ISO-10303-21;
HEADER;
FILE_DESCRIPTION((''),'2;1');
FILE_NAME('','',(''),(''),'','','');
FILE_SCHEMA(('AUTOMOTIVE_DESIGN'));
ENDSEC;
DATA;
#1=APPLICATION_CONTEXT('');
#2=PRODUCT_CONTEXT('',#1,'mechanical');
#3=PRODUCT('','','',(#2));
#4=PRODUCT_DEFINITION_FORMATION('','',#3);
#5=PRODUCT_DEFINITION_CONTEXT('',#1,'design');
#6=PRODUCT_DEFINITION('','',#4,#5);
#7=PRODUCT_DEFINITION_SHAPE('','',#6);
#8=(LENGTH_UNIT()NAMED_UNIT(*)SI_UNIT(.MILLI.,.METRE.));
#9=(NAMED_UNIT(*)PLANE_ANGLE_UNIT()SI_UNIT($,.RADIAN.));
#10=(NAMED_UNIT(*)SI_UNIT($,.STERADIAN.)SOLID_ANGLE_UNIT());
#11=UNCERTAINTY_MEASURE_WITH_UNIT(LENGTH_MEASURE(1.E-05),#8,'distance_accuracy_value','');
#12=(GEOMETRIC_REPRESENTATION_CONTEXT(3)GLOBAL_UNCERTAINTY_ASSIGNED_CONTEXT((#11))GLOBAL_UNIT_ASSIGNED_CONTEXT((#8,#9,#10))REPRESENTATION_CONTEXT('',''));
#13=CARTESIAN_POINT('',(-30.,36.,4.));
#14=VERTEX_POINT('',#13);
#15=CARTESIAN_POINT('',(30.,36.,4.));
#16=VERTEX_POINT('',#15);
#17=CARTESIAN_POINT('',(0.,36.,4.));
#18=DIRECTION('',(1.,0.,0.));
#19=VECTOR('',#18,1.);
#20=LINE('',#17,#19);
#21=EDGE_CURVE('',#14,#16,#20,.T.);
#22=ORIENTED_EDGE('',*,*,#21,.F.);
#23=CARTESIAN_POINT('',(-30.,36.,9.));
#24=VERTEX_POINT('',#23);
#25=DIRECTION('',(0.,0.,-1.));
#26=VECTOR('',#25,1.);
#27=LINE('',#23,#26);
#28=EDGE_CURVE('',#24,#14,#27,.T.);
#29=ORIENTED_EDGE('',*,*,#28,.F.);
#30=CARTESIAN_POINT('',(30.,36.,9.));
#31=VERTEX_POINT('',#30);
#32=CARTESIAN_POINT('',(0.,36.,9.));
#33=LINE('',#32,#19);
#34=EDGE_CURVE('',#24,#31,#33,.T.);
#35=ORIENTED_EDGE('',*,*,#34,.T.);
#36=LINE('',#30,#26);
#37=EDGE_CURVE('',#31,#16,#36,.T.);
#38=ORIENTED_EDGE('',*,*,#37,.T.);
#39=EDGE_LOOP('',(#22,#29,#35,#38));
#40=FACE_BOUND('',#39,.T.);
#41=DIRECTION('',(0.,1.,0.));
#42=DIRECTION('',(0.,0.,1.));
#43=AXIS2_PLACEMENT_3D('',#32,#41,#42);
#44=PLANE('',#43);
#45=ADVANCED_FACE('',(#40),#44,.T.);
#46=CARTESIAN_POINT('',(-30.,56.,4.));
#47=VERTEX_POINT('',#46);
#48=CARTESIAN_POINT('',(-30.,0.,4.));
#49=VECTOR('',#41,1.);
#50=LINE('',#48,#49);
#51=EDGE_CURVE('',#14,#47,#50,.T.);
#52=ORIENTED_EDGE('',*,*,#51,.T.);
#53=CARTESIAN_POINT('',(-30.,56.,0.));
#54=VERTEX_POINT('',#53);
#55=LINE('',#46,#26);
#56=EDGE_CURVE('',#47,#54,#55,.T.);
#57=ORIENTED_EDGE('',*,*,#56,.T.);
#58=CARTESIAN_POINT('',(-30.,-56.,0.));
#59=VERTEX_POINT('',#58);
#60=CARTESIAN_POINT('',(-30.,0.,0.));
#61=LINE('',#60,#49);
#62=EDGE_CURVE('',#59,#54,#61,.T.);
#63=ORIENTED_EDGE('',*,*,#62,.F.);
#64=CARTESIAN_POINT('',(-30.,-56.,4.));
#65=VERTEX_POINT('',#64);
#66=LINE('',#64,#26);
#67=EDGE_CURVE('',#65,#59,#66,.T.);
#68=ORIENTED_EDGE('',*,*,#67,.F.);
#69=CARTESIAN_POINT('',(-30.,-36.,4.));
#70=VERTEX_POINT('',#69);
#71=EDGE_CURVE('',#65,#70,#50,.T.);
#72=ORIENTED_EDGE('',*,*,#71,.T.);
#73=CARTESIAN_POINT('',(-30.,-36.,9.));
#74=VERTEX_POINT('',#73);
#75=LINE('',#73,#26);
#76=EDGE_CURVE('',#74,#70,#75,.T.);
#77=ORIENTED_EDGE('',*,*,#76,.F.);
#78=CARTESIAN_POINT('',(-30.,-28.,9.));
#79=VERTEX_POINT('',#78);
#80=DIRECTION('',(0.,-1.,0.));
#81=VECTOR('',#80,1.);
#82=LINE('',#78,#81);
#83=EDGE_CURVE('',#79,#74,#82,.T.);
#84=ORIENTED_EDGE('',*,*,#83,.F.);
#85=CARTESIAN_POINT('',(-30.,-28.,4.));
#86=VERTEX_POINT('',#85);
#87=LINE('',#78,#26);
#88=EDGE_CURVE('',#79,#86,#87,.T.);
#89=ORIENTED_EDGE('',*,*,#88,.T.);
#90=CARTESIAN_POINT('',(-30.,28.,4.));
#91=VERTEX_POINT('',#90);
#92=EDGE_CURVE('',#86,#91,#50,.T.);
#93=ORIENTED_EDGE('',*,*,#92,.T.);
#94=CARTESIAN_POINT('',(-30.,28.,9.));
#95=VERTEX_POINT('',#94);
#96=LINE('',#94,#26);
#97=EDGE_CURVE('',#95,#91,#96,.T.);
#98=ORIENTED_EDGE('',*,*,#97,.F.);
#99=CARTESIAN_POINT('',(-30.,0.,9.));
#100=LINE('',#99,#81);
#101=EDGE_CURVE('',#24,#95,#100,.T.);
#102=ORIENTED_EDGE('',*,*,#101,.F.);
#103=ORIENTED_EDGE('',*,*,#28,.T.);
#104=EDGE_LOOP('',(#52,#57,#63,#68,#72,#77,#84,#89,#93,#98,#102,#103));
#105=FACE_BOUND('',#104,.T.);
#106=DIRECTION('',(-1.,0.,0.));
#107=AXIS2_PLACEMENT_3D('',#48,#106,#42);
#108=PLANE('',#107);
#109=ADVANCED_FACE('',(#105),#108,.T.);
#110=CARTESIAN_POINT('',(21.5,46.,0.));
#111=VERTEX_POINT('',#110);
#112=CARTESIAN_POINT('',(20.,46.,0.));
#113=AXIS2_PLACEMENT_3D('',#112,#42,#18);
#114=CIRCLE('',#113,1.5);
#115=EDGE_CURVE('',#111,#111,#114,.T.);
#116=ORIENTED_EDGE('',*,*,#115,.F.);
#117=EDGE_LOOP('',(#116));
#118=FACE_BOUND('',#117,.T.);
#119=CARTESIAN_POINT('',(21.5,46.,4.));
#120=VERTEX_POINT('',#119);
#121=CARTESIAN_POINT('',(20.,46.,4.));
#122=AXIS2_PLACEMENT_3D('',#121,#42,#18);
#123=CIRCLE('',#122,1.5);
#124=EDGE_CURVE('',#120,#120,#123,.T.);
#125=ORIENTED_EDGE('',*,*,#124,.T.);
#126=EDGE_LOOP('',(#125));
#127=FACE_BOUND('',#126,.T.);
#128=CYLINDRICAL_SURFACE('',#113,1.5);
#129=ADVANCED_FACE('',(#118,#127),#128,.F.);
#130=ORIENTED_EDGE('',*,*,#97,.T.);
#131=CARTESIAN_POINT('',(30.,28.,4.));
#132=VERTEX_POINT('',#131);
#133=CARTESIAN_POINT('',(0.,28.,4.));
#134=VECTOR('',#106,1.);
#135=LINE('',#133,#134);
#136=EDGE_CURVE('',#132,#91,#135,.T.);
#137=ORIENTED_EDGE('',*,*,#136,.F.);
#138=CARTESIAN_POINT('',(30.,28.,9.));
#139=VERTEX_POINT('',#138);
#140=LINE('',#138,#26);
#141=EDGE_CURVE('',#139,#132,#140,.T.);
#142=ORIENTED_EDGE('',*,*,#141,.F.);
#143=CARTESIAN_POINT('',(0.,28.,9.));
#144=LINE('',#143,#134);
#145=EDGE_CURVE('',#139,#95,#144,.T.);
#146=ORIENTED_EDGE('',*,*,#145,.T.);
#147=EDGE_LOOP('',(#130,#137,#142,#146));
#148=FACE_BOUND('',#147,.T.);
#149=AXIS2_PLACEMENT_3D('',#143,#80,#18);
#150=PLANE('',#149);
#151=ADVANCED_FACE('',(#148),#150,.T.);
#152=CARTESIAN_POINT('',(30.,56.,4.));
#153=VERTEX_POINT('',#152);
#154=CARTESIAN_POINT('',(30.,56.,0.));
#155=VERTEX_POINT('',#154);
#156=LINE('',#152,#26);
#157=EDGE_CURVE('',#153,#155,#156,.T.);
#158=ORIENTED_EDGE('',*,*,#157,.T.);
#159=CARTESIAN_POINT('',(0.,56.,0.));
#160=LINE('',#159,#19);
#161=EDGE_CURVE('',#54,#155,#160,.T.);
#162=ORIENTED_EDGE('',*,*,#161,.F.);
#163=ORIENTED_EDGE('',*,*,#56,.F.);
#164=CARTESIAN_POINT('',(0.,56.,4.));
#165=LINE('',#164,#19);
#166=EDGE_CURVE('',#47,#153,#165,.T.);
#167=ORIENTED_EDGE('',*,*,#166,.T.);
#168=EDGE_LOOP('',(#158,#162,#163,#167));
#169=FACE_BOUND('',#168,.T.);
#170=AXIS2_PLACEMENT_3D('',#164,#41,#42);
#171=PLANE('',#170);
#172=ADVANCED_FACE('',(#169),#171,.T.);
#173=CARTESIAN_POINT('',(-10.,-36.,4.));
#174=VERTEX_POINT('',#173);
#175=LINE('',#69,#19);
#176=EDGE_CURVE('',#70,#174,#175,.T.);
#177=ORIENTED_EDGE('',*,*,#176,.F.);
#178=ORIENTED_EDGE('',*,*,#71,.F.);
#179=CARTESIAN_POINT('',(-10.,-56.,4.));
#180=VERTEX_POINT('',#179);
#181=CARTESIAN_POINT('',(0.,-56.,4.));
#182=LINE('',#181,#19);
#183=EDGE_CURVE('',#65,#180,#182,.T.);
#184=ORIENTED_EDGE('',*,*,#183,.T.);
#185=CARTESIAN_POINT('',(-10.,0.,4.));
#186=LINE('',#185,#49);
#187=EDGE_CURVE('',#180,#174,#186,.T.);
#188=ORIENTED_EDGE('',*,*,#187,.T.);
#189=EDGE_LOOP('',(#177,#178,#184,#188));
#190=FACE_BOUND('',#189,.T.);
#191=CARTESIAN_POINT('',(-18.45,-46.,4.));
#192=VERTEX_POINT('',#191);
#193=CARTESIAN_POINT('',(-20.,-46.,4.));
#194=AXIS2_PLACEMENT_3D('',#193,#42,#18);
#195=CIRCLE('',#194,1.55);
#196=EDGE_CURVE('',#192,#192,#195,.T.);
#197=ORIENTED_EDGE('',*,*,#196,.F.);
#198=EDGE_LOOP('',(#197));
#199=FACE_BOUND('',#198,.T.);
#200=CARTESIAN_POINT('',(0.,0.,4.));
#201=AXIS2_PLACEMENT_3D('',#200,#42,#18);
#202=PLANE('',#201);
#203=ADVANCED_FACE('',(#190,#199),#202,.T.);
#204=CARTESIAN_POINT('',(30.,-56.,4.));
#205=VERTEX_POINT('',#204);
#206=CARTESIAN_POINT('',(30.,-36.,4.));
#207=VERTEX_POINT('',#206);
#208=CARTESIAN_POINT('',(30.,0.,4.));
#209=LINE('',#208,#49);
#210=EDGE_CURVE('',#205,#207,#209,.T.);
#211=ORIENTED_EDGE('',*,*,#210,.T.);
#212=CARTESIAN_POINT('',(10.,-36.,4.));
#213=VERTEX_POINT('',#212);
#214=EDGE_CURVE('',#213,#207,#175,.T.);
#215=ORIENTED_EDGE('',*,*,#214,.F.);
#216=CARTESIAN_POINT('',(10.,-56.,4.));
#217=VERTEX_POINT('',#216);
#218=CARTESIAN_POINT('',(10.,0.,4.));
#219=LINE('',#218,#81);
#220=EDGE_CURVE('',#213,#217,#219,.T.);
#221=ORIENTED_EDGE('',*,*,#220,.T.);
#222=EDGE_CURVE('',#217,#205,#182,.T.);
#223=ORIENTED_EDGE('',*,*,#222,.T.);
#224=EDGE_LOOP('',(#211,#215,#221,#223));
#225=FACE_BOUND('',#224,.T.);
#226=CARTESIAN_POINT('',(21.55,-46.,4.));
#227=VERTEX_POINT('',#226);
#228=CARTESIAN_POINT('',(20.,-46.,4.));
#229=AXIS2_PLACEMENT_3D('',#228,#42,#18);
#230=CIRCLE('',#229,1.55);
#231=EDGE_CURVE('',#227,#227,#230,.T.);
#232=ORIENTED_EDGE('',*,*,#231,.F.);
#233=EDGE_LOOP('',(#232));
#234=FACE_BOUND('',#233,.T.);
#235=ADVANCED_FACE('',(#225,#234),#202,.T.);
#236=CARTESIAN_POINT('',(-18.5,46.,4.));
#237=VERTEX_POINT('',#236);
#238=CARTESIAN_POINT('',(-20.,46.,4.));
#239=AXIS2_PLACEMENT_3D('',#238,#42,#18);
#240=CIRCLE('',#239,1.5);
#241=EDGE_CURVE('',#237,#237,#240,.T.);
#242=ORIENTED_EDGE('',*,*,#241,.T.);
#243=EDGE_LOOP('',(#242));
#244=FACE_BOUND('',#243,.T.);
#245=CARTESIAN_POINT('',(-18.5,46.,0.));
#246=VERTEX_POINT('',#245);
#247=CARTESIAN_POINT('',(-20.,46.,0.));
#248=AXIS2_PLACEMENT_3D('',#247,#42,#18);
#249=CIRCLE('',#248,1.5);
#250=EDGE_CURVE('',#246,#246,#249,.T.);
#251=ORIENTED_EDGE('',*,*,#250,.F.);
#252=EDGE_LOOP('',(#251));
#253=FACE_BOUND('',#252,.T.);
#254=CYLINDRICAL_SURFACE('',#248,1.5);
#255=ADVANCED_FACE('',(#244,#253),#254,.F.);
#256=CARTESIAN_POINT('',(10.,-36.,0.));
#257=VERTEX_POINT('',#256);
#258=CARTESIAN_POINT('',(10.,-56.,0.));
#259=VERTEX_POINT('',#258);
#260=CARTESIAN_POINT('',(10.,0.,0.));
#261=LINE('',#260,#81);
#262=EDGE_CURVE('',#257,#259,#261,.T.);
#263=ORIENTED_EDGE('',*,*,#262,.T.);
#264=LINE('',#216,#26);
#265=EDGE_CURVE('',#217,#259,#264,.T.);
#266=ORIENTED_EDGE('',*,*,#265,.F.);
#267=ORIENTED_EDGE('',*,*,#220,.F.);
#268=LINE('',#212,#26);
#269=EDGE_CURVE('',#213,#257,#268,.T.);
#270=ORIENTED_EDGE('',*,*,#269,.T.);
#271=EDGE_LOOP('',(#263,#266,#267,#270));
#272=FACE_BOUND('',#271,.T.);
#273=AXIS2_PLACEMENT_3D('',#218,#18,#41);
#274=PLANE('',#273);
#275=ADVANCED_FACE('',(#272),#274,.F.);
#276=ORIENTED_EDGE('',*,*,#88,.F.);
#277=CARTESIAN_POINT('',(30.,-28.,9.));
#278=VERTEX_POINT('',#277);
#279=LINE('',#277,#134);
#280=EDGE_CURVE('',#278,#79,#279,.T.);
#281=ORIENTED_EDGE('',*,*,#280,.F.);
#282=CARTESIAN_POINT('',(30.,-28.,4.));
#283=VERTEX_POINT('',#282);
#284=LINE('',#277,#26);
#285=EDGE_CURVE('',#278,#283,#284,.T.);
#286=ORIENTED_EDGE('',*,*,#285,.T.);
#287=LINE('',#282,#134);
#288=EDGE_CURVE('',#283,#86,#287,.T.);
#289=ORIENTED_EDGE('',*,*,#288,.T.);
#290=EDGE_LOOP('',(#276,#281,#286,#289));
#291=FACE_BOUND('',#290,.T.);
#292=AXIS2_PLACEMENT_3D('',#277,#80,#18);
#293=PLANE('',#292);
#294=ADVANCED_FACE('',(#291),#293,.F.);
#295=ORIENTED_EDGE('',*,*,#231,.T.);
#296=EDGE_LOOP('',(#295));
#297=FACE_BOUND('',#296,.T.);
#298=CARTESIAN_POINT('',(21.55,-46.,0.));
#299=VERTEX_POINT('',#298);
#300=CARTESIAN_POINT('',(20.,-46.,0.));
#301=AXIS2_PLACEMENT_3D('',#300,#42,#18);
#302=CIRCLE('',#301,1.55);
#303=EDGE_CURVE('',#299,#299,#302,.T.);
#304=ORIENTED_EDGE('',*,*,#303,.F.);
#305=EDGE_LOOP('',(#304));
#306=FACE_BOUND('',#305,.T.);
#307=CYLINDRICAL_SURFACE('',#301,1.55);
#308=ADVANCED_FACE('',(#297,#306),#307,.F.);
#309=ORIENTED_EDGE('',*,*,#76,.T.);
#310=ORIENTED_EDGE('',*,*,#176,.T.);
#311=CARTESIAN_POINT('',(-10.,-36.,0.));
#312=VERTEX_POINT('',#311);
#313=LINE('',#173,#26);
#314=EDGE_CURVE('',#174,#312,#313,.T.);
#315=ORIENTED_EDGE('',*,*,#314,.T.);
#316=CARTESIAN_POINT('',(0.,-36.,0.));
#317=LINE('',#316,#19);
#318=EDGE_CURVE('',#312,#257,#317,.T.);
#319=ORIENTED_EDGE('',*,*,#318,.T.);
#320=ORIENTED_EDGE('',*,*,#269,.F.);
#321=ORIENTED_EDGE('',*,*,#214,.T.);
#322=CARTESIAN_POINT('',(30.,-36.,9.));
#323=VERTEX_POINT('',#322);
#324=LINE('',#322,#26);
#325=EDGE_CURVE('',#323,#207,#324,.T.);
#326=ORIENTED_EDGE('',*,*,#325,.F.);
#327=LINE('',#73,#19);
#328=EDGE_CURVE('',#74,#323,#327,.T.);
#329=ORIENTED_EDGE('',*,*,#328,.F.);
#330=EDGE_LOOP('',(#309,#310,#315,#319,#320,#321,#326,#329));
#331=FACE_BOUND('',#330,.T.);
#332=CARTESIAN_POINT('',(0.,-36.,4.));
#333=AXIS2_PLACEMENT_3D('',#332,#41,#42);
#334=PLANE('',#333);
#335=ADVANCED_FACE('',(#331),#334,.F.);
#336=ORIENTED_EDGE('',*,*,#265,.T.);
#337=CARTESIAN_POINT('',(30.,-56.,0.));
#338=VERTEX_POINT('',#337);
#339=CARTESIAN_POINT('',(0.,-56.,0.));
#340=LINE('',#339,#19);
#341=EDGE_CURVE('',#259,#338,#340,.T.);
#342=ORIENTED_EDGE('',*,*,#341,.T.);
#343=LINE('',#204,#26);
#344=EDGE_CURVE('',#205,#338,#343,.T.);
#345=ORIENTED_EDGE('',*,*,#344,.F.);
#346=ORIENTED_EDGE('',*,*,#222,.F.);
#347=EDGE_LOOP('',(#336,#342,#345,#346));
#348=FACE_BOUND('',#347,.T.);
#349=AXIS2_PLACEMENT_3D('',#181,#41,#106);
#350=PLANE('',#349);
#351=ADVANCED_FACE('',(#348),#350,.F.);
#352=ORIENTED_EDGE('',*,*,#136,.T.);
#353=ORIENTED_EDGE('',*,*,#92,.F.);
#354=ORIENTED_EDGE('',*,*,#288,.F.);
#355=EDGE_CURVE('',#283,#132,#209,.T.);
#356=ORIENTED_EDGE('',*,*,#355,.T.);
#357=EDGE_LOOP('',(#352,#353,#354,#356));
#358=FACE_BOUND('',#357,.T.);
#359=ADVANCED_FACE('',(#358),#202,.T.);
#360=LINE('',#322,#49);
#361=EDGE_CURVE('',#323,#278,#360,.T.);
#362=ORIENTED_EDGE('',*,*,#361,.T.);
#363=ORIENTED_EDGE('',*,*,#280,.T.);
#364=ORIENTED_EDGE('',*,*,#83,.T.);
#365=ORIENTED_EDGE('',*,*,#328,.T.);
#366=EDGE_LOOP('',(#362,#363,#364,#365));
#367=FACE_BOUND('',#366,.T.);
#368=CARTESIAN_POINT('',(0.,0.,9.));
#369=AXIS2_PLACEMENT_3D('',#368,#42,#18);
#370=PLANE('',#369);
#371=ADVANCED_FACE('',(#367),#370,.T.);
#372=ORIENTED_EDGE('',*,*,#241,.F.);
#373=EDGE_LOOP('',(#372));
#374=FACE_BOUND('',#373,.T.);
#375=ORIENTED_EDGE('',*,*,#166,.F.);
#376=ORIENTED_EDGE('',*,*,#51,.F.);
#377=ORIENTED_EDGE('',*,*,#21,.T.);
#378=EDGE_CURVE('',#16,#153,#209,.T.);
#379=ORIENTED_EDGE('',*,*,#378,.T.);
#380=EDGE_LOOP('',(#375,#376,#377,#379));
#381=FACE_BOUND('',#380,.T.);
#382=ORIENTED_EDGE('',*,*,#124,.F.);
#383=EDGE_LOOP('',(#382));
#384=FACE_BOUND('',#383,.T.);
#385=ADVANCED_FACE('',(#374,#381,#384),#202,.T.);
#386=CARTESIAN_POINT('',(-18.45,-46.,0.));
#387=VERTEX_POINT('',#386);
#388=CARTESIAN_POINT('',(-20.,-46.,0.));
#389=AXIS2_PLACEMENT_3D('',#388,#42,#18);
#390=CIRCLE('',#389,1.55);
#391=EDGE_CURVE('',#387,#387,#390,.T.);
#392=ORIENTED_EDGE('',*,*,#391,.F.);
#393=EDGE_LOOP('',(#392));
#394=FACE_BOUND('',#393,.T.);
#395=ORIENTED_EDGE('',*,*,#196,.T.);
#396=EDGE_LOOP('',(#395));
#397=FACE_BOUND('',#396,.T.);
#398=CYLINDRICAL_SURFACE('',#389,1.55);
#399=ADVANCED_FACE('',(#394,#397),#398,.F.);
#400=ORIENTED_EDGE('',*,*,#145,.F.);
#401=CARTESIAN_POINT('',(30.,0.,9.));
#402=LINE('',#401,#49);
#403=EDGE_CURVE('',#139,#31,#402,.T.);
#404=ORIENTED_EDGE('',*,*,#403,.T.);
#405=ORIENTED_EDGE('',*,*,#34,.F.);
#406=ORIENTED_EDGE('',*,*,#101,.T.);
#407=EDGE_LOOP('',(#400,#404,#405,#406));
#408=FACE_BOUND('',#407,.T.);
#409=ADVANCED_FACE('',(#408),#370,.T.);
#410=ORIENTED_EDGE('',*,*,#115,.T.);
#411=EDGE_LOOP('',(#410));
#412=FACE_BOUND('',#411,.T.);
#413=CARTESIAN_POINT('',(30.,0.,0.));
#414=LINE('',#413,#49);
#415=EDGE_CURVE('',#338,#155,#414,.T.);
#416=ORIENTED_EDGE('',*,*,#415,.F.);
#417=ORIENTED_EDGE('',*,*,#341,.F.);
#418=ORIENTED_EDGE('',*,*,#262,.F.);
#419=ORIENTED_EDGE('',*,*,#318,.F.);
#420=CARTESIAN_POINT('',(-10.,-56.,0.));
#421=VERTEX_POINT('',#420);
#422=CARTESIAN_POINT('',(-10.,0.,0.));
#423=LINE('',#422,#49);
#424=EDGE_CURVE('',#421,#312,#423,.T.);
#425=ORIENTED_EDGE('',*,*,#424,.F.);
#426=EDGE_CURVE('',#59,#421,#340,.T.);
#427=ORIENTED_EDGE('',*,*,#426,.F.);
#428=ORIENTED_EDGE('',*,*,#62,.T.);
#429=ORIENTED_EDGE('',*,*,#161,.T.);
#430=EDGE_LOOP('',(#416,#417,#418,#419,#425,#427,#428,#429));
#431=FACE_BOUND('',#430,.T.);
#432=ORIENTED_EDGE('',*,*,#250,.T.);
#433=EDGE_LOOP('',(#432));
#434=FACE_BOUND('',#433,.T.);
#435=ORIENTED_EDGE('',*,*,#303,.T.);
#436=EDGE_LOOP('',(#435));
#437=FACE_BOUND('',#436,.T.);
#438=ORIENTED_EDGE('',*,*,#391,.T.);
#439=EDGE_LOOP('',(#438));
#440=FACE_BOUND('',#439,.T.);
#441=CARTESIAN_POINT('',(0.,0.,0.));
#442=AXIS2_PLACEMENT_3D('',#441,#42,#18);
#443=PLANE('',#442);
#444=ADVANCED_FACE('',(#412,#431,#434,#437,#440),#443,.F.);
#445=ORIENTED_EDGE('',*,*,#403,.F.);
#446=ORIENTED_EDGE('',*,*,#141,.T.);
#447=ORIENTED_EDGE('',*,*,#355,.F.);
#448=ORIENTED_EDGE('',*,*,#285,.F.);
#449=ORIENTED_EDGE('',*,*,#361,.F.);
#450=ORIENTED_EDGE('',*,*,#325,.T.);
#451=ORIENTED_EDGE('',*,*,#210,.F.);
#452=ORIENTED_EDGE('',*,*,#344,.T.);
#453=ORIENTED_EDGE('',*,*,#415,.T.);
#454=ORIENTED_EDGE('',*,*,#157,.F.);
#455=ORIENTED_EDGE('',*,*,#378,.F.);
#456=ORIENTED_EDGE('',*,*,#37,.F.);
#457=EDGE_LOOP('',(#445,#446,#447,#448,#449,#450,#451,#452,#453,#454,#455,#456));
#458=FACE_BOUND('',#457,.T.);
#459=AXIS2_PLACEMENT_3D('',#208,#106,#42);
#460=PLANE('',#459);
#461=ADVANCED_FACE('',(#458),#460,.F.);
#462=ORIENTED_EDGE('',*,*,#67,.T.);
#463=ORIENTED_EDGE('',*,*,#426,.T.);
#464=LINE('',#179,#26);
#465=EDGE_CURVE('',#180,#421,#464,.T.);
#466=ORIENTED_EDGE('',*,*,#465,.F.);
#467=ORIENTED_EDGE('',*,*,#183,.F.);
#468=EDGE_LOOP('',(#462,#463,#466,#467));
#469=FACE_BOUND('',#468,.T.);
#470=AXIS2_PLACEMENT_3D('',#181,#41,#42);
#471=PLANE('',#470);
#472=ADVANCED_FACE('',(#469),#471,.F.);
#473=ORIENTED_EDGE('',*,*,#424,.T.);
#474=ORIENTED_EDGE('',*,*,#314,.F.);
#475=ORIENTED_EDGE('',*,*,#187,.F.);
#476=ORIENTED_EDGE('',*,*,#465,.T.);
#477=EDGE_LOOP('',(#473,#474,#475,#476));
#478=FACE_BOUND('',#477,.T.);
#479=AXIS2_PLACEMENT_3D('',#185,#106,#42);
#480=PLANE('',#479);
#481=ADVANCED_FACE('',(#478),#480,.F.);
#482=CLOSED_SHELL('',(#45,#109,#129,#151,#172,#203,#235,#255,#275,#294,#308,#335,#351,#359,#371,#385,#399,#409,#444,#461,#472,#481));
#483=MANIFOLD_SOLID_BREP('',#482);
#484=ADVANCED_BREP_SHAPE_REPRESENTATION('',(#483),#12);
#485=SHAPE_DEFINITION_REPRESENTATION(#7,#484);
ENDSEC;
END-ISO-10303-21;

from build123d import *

# Parameters (mm, degrees)
SALIENTE_EXTRUIR1_DEPTH = 4
CROQUIS2_W              = 60
CROQUIS2_H              = 8
SALIENTE_EXTRUIR2_DEPTH = 5
CROQUIS3_R              = 1.55
CROQUIS3_R_2            = 1.5
CORTAR_EXTRUIR1_DEPTH   = 64.725975865


with BuildPart() as part:
    # Croquis1 → Saliente-Extruir1 (new body)
    with BuildSketch(Plane.XY):
        Polygon((10, -36), (10, -56), (30, -56), (30, 56), (-30, 56), (-30, -56), (-10, -56), (-10, -36), align=None)
    extrude(amount=SALIENTE_EXTRUIR1_DEPTH)

    # Croquis2 → Saliente-Extruir2 (add)
    with BuildSketch(Plane.XY.offset(4)):
        with Locations((0, 32)):
            Rectangle(CROQUIS2_W, CROQUIS2_H)
        with Locations((0, -32)):
            Rectangle(CROQUIS2_W, CROQUIS2_H)
    extrude(amount=SALIENTE_EXTRUIR2_DEPTH)

    # Croquis3 → Cortar-Extruir1 (cut, through all)
    with BuildSketch(Plane.XY.offset(4)):
        with Locations((-20, -46)):
            Circle(CROQUIS3_R)
        with Locations((20, -46)):
            Circle(CROQUIS3_R)
        with Locations((-20, 46)):
            Circle(CROQUIS3_R_2)
        with Locations((20, 46)):
            Circle(CROQUIS3_R_2)
    extrude(amount=-CORTAR_EXTRUIR1_DEPTH, mode=Mode.SUBTRACT)


solid = part.part
